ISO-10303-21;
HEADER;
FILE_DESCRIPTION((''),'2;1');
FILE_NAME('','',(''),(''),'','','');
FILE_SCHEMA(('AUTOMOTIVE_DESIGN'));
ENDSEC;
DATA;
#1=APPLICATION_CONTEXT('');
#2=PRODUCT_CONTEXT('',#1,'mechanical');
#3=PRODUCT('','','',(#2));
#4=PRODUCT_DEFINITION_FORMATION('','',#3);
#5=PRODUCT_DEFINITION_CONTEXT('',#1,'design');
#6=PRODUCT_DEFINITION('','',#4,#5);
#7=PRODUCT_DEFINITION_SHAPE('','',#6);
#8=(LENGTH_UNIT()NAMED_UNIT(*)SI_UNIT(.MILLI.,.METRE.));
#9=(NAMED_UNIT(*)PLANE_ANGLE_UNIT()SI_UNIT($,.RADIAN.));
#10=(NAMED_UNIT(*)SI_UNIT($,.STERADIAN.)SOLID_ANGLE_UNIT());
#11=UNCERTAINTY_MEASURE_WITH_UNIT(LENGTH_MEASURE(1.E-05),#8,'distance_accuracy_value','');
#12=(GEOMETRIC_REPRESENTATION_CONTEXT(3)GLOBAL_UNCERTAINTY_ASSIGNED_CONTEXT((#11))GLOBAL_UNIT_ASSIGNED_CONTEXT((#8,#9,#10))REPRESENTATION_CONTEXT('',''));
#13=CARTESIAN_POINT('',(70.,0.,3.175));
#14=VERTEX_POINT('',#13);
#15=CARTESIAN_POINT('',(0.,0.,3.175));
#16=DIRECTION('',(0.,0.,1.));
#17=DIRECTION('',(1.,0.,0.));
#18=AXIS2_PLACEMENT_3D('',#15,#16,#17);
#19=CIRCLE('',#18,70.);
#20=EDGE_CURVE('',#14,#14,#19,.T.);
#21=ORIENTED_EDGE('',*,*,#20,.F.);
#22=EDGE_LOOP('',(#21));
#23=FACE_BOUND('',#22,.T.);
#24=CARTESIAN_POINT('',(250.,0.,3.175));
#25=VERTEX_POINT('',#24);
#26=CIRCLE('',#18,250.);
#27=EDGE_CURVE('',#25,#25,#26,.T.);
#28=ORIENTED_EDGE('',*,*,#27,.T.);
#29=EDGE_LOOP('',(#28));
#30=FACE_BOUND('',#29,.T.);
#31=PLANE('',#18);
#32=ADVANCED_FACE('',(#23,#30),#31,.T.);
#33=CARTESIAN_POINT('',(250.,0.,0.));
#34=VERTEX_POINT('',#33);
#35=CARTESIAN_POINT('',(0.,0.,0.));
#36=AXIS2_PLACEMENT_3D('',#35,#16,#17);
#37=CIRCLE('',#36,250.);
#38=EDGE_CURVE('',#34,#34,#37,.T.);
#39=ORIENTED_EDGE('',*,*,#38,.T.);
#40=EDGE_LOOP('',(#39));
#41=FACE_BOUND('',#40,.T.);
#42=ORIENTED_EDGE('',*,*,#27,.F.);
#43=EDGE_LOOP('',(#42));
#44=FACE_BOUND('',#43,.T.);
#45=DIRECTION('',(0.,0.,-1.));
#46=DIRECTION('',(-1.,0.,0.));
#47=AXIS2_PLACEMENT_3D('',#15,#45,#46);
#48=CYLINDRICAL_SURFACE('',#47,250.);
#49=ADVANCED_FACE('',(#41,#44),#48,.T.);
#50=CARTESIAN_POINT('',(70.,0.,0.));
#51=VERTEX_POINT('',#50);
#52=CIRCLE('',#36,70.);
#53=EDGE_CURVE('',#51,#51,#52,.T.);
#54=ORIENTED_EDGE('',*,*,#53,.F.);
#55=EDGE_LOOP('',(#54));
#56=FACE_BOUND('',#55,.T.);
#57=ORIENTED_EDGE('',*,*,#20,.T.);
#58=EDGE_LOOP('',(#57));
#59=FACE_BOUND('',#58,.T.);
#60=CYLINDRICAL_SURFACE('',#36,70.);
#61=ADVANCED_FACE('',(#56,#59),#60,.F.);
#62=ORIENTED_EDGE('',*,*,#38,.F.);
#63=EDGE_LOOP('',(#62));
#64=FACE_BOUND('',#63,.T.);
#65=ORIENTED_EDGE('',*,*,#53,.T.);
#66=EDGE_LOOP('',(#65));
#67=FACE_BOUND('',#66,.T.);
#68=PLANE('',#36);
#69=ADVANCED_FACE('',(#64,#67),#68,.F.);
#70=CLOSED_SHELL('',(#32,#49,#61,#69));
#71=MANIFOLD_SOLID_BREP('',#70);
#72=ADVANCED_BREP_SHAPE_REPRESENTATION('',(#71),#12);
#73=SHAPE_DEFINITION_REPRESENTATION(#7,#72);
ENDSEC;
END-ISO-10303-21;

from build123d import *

# Parameters (mm, degrees)
SKETCH1_R           = 250
BOSS_EXTRUDE2_DEPTH = 3.175
SKETCH2_R           = 70
CUT_EXTRUDE1_DEPTH  = 3.175


with BuildPart() as part:
    # Sketch1 → Boss-Extrude2 (new body)
    with BuildSketch(Plane.XY):
        Circle(SKETCH1_R)
    extrude(amount=BOSS_EXTRUDE2_DEPTH)

    # Sketch2 → Cut-Extrude1 (cut)
    with BuildSketch(Plane.XY.offset(3.175)):
        Circle(SKETCH2_R)
    extrude(amount=-CUT_EXTRUDE1_DEPTH, mode=Mode.SUBTRACT)


solid = part.part
